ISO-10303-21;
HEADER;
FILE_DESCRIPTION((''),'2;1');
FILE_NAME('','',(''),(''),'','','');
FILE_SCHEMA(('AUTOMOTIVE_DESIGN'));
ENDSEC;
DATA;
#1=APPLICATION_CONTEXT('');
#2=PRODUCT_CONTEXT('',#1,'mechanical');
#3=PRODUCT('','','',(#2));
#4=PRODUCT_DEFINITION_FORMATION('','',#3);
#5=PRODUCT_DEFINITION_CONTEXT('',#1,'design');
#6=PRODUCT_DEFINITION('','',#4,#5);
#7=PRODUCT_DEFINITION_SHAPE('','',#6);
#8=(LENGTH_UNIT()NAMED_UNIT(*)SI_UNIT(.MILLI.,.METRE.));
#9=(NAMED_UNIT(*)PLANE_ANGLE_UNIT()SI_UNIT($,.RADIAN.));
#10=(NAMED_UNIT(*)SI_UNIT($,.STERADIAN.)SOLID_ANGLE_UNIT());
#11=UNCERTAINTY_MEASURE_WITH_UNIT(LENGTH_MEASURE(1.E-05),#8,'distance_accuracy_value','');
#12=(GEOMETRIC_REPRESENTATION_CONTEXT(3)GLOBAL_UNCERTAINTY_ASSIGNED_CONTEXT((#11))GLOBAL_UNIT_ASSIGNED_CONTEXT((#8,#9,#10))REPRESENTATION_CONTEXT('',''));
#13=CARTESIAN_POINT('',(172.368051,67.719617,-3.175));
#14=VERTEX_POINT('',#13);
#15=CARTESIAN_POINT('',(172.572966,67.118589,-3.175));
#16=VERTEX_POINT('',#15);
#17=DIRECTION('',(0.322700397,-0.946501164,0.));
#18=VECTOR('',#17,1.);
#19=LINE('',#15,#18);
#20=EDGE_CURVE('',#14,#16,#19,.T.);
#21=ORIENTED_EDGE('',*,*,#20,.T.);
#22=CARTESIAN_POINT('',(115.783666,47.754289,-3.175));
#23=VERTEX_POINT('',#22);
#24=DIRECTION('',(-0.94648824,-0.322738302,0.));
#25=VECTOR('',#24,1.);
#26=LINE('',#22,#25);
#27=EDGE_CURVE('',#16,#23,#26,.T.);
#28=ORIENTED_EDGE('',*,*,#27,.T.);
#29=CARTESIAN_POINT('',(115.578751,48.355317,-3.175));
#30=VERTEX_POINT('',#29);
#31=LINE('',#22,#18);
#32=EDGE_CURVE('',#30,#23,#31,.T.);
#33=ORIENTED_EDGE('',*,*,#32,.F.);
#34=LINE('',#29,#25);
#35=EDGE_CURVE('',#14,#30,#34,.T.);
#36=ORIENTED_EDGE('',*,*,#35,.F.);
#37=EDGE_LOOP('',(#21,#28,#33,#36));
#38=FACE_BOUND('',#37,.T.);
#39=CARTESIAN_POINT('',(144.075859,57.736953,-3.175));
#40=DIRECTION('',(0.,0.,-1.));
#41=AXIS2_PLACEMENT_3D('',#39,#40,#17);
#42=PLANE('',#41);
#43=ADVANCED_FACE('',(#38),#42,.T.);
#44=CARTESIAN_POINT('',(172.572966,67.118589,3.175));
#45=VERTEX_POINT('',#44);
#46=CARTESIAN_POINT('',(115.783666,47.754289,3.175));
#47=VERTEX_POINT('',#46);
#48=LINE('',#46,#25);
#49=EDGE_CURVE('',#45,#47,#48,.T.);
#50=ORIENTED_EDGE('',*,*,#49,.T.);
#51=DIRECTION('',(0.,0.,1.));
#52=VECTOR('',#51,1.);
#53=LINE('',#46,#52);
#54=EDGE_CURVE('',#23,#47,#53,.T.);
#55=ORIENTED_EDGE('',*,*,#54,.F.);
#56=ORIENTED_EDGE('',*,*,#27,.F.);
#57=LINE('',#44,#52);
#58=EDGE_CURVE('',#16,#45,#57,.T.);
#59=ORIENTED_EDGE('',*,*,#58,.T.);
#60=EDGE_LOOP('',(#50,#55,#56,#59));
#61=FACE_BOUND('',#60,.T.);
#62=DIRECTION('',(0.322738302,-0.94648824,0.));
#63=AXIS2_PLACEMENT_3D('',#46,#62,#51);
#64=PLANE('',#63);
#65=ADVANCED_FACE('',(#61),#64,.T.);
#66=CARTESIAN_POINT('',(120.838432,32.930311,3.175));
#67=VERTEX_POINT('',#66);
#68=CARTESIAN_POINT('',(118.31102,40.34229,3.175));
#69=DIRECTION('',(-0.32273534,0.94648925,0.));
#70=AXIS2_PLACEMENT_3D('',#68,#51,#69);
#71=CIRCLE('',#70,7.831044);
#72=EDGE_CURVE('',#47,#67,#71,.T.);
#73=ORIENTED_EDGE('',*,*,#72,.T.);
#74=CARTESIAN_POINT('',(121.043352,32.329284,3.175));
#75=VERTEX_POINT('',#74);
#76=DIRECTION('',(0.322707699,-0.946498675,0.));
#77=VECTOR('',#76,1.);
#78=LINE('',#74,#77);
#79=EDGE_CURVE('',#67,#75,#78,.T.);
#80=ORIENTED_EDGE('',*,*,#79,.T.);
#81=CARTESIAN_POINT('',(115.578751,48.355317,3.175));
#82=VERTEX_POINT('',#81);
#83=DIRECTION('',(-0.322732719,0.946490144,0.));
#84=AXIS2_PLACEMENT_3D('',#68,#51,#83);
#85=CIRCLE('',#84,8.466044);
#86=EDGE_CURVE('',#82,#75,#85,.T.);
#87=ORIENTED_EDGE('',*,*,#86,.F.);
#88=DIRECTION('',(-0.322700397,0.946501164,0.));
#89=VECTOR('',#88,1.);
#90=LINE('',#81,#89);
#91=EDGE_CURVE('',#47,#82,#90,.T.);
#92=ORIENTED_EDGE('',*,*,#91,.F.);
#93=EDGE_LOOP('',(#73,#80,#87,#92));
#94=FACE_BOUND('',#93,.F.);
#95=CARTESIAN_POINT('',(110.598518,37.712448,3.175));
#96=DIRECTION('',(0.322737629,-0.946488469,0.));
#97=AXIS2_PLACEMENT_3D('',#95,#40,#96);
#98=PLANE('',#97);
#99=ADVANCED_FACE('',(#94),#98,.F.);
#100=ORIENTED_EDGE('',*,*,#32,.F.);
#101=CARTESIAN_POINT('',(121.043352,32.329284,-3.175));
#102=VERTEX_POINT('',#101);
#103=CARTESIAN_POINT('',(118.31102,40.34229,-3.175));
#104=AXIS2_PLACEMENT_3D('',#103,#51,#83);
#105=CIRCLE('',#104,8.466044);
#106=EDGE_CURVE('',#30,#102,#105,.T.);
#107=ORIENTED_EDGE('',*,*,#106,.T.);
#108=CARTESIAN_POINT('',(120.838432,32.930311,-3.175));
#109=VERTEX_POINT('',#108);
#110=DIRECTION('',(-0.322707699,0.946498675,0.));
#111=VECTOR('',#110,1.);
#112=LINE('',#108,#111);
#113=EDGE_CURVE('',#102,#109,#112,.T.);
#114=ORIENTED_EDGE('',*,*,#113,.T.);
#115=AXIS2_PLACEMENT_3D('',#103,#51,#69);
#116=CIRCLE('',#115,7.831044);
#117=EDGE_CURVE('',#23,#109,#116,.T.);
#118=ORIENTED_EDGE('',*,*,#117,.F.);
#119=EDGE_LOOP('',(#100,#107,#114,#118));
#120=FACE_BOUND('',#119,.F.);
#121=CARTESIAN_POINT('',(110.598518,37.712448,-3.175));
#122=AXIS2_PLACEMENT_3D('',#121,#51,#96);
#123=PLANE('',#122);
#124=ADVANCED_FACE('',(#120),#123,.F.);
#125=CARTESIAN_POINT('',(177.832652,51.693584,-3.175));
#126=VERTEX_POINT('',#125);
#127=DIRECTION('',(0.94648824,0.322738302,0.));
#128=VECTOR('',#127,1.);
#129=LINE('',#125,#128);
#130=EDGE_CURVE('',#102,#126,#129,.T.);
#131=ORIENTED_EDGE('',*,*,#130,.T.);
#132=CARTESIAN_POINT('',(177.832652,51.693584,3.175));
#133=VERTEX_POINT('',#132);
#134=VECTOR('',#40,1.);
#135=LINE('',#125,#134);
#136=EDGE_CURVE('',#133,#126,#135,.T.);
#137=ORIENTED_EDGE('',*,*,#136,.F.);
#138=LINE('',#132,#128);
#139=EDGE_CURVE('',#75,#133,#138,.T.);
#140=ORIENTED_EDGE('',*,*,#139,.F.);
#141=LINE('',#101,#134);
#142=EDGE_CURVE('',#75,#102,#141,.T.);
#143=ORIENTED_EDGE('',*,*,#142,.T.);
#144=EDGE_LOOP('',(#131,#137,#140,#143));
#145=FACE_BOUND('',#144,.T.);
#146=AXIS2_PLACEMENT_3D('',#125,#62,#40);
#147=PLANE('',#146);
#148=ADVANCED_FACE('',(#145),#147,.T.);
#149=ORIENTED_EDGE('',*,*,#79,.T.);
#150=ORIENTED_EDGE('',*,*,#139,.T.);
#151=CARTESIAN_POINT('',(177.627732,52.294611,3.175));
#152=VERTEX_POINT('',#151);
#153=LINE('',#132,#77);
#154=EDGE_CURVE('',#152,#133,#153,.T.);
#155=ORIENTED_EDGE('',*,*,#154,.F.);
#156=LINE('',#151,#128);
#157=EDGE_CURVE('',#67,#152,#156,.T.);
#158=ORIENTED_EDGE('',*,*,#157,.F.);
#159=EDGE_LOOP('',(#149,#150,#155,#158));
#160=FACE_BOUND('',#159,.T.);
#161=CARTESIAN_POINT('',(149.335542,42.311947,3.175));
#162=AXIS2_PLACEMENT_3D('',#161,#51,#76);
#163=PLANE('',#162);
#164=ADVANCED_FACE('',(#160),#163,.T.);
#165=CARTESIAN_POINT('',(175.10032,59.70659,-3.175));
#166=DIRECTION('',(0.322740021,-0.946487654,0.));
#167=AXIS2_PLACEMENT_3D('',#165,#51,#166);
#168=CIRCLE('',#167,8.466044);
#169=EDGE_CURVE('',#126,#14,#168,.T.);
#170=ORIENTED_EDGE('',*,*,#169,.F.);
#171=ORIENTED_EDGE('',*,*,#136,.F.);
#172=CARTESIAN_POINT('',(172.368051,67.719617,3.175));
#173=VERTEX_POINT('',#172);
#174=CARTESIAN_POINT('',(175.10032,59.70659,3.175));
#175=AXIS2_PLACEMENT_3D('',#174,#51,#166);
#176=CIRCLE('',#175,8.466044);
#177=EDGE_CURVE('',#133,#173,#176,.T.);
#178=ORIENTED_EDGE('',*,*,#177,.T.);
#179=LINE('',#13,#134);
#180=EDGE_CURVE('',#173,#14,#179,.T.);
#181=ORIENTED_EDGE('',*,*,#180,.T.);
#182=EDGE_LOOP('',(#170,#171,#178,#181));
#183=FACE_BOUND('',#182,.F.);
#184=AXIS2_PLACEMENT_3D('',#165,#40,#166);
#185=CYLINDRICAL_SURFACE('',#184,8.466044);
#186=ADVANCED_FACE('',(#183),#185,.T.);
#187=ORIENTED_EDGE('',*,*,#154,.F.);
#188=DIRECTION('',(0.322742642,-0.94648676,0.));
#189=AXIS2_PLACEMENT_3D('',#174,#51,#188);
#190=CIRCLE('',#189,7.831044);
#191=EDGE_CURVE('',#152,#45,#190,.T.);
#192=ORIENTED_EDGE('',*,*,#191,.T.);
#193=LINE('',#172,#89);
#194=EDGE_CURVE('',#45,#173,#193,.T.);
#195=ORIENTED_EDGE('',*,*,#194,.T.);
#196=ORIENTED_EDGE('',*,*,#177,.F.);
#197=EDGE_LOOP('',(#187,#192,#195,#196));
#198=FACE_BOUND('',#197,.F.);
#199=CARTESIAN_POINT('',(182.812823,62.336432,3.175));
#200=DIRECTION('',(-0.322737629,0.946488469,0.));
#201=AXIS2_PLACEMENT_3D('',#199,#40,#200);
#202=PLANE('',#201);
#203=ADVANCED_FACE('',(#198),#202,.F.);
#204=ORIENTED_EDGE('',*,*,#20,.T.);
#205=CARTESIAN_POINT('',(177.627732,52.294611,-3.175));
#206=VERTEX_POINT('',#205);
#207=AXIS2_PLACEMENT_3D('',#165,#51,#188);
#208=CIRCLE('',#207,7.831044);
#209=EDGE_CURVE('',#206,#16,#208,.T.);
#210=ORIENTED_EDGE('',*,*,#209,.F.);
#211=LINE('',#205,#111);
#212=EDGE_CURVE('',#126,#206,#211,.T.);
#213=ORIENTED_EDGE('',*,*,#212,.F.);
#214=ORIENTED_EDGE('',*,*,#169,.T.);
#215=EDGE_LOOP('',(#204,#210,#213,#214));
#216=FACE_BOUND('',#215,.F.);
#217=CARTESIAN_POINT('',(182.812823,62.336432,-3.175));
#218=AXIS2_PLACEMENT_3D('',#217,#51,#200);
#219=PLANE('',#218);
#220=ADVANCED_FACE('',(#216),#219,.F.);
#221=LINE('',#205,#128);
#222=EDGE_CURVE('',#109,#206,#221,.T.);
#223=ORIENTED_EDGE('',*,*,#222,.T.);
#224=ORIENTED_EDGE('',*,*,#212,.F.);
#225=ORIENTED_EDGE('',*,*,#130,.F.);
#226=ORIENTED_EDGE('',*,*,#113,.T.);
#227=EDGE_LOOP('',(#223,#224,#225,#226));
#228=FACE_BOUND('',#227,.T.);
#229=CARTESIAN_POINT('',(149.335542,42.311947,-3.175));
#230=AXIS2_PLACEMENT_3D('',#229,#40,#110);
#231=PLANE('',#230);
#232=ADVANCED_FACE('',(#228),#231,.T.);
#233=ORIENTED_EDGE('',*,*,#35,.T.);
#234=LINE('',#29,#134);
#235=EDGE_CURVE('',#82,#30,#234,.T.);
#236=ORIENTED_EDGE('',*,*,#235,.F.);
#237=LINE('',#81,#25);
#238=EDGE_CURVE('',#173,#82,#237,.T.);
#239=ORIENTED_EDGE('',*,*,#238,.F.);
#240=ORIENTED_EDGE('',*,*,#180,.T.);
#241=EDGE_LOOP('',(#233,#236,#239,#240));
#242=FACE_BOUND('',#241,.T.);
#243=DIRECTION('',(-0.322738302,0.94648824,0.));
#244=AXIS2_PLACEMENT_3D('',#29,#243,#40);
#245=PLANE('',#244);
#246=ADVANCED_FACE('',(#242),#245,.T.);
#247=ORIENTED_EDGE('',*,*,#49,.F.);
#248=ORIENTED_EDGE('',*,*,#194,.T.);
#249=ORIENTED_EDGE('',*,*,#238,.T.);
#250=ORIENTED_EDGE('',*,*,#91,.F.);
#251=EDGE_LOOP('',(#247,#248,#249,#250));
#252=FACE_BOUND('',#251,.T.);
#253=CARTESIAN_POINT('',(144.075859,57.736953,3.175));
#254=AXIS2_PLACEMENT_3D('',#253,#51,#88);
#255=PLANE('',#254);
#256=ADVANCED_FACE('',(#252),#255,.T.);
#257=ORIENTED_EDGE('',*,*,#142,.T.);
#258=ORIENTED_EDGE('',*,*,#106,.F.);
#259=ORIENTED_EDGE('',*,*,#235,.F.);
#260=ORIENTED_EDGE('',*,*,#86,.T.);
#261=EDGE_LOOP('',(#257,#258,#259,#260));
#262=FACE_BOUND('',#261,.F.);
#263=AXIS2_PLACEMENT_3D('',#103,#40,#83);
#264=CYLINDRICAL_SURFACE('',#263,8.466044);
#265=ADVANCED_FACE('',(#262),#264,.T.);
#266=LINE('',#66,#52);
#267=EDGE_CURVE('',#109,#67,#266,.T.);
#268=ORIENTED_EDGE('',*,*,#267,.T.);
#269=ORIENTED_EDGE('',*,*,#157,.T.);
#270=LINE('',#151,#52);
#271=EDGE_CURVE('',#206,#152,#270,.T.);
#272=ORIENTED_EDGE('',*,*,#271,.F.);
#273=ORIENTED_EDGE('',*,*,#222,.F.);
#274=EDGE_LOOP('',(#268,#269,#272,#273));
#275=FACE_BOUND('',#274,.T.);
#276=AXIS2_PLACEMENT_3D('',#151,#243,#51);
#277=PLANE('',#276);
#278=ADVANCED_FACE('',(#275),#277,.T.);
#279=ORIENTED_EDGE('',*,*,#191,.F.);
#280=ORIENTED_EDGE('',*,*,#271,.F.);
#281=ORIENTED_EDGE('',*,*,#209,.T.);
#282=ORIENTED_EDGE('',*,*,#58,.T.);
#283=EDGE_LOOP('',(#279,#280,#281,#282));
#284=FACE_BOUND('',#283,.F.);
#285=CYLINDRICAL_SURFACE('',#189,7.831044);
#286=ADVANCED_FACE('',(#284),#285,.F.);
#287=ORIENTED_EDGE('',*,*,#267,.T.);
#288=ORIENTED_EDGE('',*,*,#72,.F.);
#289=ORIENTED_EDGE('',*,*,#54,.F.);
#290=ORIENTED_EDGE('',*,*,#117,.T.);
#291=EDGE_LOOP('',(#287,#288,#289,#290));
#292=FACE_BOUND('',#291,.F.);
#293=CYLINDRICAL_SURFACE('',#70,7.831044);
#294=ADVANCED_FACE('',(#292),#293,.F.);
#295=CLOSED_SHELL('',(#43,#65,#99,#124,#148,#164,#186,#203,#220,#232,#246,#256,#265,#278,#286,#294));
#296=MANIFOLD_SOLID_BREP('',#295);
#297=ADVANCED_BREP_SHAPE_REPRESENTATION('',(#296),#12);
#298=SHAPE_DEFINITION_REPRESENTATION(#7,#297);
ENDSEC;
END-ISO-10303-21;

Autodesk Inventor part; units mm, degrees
sketch "Sketch Path" plane through (0, 0, 0) normal (0, 0, 1) x (1, 0, 0)
  arc A0 (177.7097, 52.0542) -> (172.491, 67.359) centre (175.1003, 59.7066) ccw
  arc A1 (115.7017, 47.9947) -> (120.9204, 32.6899) centre (118.311, 40.3423) ccw
  line L0 (115.7017, 47.9947) -> (172.491, 67.359)
  line L1 (177.7097, 52.0542) -> (120.9204, 32.6899)
ref_plane "Cross Section Plane" through (172.491, 67.359, 0) normal (-0.9465, -0.3227, 0) x (0, 0, 1)
ref_plane "Work Plane2" through (175.1003, 59.7066, 0) normal (-1, 0, 0) x (0, 0, 1)
ref_plane "Work Plane3" through (118.311, 40.3423, 0) normal (0.9668, 0.2554, 0) x (0, 0, 1)
sketch "Cross Section" plane through (172.491, 67.359, 0) normal (-0.9465, -0.3227, 0) x (0, 0, 1)
  line L0 (-3.175, 0.381) -> (3.175, 0.381)
  line L1 (3.175, 0.381) -> (3.175, -0.254)
  line L2 (3.175, -0.254) -> (-3.175, -0.254)
  line L3 (-3.175, -0.254) -> (-3.175, 0.381)
  line L4 (-3.175, 0) -> (3.175, 0) construction
  point P0 (0, 0)
  point P1 (0, 0)
  dimension "d0" = 6.35
  dimension "d4" = 0.254
  dimension "d5" = 0.381
sweep "Belt" add profiles "Cross Section" path "Sketch Path"
equation "\"d0\" = da_B"
equation "\"d4\" = da_a"
equation "\"d5\" = da_a2"
equation "\"da_B\" = 6.35"
equation "\"da_pb\" = 2.032"
equation "\"da_L\" = 170.8"
equation "\"da_a\" = 0.254"
equation "\"da_S\" = 1.143"
equation "\"da_Beta\" = 20deg"
equation "\"da_Ht\" = 0.508"
equation "\"da_H\" = 1.143"
equation "\"da_a2\" = 0.381"
properties part number "Synchronous Belt" material "Rubber"
